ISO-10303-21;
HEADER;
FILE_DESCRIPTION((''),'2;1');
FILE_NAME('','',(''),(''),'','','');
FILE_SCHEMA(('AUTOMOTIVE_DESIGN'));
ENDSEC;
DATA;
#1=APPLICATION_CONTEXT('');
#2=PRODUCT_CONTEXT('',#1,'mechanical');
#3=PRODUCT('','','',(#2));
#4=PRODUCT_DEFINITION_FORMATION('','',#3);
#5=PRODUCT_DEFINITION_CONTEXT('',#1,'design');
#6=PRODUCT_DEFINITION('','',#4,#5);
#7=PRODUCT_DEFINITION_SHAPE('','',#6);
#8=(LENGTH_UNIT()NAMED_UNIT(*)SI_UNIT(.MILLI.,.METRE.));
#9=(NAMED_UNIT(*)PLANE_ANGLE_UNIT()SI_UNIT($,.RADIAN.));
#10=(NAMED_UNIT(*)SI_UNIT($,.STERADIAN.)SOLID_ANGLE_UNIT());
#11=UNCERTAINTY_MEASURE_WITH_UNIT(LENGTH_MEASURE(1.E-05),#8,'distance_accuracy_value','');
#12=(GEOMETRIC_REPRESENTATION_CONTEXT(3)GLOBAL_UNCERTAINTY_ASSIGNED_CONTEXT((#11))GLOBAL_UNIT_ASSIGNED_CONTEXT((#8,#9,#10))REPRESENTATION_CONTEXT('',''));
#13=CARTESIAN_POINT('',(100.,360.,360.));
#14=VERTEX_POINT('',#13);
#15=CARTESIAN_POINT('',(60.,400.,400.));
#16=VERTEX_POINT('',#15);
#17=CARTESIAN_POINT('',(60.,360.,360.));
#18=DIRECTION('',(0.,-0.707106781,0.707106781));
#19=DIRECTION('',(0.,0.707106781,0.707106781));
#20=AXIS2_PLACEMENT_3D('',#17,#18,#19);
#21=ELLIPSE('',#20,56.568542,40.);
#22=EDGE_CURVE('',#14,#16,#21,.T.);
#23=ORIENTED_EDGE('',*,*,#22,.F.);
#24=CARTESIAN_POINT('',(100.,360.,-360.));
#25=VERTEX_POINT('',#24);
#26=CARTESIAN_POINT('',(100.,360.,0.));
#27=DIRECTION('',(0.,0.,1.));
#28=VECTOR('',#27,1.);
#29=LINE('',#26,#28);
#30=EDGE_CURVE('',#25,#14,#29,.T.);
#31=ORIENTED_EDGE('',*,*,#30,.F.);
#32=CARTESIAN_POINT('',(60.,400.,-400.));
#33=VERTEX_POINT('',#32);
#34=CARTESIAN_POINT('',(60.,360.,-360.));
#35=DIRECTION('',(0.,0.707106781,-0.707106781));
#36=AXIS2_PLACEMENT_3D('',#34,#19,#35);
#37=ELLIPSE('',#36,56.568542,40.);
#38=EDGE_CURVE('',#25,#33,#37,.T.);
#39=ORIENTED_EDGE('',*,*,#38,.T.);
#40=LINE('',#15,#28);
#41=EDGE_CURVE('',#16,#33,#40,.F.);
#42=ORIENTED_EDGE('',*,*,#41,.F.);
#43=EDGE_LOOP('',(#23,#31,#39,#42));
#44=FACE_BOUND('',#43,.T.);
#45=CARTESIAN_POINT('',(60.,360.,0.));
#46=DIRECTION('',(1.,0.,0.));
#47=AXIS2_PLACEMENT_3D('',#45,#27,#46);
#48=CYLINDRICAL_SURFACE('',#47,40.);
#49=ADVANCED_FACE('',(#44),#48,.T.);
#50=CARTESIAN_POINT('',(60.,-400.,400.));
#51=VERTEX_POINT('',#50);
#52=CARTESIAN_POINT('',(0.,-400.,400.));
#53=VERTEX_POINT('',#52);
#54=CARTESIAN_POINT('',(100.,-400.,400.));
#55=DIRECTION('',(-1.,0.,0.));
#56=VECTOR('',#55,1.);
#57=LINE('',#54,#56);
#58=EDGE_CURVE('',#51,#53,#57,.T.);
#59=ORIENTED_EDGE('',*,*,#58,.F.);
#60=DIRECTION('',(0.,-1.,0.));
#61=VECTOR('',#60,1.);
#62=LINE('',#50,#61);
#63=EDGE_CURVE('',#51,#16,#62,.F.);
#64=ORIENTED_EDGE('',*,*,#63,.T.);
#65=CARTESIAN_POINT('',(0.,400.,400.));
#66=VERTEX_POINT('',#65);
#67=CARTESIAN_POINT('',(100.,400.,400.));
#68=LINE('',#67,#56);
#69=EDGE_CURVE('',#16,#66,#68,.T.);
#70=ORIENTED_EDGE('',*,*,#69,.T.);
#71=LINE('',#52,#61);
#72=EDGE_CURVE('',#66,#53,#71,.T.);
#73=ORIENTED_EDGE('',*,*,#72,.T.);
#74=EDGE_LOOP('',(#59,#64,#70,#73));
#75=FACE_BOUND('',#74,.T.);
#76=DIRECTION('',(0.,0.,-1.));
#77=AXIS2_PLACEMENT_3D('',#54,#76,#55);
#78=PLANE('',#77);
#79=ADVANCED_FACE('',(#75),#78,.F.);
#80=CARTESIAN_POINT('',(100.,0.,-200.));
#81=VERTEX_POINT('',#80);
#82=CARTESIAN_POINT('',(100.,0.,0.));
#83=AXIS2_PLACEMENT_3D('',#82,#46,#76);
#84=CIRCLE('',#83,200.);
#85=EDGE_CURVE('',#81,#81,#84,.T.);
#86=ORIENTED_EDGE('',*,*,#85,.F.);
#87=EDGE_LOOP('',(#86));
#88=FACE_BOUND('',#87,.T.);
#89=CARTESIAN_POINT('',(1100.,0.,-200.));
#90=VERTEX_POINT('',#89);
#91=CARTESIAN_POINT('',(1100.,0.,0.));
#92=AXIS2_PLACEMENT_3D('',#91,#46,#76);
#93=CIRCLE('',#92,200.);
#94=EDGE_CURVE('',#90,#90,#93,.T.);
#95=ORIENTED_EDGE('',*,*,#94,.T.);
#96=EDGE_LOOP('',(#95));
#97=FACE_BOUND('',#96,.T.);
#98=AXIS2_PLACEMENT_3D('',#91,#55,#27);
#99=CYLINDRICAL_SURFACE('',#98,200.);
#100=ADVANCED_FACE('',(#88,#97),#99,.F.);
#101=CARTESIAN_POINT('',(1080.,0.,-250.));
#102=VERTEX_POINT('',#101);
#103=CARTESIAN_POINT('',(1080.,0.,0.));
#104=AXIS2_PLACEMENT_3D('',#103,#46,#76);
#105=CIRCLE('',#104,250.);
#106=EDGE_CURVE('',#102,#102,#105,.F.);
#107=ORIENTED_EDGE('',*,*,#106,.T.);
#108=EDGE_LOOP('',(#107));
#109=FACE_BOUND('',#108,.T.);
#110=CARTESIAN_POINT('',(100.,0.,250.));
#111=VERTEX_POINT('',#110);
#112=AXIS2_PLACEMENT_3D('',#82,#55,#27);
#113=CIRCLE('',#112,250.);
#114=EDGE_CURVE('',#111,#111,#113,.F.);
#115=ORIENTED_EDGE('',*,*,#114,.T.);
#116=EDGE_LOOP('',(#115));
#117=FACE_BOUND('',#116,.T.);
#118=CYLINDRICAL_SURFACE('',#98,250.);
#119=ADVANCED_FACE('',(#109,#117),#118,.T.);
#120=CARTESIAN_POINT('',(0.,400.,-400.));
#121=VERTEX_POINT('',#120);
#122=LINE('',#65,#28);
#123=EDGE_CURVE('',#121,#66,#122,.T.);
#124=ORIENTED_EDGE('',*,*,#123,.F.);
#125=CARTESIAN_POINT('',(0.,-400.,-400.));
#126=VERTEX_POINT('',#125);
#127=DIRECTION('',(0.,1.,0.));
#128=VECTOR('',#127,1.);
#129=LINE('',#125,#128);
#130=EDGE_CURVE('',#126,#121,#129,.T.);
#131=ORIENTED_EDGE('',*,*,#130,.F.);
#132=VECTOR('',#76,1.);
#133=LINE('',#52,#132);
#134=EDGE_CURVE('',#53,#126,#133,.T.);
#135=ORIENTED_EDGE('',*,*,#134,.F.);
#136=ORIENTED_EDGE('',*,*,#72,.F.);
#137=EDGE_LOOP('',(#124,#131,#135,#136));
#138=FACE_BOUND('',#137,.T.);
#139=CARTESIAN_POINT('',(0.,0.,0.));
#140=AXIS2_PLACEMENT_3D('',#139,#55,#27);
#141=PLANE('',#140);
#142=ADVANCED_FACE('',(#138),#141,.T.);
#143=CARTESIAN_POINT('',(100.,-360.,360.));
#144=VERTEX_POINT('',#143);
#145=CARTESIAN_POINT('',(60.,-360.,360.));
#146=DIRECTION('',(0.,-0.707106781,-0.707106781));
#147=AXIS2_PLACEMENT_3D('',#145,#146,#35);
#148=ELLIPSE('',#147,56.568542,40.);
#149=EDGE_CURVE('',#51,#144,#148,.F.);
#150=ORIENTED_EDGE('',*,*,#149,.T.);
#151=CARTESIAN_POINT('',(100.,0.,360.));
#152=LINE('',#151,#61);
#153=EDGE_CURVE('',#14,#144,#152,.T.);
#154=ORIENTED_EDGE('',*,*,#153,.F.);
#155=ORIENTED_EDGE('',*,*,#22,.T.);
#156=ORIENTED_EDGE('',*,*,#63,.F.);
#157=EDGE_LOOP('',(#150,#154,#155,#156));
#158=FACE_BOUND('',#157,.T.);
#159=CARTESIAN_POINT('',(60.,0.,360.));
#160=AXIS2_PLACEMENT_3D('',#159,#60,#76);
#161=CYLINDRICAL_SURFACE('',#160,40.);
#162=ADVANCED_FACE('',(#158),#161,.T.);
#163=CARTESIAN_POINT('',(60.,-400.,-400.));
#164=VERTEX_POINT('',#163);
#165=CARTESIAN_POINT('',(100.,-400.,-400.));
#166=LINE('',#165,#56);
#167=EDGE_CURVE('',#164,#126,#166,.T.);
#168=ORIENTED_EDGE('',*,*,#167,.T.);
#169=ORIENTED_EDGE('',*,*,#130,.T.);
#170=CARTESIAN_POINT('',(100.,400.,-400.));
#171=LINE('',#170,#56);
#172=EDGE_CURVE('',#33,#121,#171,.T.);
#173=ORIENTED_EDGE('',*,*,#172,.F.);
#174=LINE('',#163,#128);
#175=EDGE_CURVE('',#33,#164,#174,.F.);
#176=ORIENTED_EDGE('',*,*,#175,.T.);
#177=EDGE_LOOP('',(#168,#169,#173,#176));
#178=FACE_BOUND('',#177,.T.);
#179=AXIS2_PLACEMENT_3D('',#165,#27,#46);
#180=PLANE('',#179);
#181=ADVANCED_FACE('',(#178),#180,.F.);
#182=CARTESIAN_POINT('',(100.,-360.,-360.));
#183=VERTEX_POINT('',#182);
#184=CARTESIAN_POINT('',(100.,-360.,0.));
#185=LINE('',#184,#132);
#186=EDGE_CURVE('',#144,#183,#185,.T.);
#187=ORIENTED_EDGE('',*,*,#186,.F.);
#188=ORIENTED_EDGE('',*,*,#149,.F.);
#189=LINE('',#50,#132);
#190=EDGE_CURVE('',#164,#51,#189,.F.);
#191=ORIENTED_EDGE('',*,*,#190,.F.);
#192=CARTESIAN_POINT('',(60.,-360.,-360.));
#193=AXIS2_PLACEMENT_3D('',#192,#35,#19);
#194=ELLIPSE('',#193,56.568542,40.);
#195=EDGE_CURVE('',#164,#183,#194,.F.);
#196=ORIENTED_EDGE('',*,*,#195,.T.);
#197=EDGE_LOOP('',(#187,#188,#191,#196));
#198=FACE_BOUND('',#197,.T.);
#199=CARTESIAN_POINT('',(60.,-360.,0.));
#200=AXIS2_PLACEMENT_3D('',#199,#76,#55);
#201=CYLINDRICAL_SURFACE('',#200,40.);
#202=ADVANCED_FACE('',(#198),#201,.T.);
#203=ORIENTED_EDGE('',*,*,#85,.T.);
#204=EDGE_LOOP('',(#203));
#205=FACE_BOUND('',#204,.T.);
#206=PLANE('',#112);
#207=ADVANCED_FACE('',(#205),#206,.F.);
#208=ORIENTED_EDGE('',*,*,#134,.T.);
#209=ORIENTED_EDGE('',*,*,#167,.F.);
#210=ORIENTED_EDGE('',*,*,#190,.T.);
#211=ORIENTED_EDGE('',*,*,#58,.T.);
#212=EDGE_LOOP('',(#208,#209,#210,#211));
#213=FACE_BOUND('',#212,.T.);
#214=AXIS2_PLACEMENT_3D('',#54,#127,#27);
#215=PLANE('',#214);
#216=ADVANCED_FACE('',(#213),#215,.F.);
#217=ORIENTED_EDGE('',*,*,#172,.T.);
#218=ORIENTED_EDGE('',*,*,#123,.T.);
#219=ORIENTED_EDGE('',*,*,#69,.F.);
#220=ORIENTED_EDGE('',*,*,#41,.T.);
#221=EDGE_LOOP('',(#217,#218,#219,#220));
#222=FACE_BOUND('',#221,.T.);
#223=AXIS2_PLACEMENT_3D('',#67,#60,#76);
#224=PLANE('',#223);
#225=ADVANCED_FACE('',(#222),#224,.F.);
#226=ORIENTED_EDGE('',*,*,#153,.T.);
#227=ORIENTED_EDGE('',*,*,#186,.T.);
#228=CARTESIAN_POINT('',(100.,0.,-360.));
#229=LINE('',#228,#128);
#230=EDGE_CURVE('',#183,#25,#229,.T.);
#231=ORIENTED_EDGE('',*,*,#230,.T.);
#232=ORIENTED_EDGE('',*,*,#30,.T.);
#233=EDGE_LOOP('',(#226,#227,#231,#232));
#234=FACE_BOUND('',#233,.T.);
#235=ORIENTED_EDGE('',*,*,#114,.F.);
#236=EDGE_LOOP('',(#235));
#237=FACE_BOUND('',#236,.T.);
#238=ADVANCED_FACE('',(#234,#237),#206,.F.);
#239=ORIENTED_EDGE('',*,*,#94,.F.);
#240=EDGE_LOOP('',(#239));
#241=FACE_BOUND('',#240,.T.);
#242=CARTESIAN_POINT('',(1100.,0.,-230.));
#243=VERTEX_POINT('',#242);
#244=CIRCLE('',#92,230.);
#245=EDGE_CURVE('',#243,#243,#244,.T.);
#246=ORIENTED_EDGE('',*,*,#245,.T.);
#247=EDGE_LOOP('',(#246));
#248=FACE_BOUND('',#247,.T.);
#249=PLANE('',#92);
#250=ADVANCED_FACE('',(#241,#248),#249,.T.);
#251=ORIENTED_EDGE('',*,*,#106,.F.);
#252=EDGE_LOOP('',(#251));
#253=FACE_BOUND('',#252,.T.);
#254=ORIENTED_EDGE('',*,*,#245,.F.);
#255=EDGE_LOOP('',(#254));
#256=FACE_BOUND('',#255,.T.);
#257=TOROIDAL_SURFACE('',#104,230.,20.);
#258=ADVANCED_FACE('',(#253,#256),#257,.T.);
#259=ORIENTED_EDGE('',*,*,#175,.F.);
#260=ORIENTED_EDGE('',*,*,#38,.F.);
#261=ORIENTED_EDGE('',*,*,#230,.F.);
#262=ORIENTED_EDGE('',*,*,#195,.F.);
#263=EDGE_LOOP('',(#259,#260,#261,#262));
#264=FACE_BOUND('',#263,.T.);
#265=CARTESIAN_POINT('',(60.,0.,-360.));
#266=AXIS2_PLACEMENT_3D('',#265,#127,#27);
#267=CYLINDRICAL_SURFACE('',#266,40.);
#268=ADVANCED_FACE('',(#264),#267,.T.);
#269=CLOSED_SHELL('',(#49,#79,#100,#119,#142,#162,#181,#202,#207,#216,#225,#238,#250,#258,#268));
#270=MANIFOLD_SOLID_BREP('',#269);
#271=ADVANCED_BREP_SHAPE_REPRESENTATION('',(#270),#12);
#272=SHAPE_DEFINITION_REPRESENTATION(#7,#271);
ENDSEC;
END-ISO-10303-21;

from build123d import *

# Parameters (mm, degrees)
SKETCH3_W           = 800
SKETCH3_H           = 800
BOSS_EXTRUDE1_DEPTH = 100
SKETCH4_R           = 250
SKETCH4_R_2         = 200
BOSS_EXTRUDE2_DEPTH = 1000
FILLET3_R           = 40
FILLET4_R           = 20


with BuildPart() as part:
    # Sketch3 → Boss-Extrude1 (new body)
    with BuildSketch(Plane(origin=(0, 0, 0), x_dir=(0, 0, -1), z_dir=(1, 0, 0))):
        Rectangle(SKETCH3_W, SKETCH3_H)
    extrude(amount=BOSS_EXTRUDE1_DEPTH)

    # Sketch4 → Boss-Extrude2 (add)
    with BuildSketch(Plane(origin=(100, 0, 0), x_dir=(0, 0, -1), z_dir=(1, 0, 0))):
        with Locations(Location((0, 0, 0), (0, 0, 180))):
            Circle(SKETCH4_R)
        Circle(SKETCH4_R_2, mode=Mode.SUBTRACT)
    extrude(amount=BOSS_EXTRUDE2_DEPTH)

    # Fillet3
    fillet3_edges = [part.edges().sort_by_distance(p)[0] for p in [
        (100, 0, 400),
        (100, -400, 0),
        (100, 0, -400),
        (100, 400, 0),
    ]]
    fillet(fillet3_edges, radius=FILLET3_R)

    # Fillet4
    fillet4_edges = [part.edges().sort_by_distance(p)[0] for p in [
        (1100, 0, -250),
    ]]
    fillet(fillet4_edges, radius=FILLET4_R)


solid = part.part
